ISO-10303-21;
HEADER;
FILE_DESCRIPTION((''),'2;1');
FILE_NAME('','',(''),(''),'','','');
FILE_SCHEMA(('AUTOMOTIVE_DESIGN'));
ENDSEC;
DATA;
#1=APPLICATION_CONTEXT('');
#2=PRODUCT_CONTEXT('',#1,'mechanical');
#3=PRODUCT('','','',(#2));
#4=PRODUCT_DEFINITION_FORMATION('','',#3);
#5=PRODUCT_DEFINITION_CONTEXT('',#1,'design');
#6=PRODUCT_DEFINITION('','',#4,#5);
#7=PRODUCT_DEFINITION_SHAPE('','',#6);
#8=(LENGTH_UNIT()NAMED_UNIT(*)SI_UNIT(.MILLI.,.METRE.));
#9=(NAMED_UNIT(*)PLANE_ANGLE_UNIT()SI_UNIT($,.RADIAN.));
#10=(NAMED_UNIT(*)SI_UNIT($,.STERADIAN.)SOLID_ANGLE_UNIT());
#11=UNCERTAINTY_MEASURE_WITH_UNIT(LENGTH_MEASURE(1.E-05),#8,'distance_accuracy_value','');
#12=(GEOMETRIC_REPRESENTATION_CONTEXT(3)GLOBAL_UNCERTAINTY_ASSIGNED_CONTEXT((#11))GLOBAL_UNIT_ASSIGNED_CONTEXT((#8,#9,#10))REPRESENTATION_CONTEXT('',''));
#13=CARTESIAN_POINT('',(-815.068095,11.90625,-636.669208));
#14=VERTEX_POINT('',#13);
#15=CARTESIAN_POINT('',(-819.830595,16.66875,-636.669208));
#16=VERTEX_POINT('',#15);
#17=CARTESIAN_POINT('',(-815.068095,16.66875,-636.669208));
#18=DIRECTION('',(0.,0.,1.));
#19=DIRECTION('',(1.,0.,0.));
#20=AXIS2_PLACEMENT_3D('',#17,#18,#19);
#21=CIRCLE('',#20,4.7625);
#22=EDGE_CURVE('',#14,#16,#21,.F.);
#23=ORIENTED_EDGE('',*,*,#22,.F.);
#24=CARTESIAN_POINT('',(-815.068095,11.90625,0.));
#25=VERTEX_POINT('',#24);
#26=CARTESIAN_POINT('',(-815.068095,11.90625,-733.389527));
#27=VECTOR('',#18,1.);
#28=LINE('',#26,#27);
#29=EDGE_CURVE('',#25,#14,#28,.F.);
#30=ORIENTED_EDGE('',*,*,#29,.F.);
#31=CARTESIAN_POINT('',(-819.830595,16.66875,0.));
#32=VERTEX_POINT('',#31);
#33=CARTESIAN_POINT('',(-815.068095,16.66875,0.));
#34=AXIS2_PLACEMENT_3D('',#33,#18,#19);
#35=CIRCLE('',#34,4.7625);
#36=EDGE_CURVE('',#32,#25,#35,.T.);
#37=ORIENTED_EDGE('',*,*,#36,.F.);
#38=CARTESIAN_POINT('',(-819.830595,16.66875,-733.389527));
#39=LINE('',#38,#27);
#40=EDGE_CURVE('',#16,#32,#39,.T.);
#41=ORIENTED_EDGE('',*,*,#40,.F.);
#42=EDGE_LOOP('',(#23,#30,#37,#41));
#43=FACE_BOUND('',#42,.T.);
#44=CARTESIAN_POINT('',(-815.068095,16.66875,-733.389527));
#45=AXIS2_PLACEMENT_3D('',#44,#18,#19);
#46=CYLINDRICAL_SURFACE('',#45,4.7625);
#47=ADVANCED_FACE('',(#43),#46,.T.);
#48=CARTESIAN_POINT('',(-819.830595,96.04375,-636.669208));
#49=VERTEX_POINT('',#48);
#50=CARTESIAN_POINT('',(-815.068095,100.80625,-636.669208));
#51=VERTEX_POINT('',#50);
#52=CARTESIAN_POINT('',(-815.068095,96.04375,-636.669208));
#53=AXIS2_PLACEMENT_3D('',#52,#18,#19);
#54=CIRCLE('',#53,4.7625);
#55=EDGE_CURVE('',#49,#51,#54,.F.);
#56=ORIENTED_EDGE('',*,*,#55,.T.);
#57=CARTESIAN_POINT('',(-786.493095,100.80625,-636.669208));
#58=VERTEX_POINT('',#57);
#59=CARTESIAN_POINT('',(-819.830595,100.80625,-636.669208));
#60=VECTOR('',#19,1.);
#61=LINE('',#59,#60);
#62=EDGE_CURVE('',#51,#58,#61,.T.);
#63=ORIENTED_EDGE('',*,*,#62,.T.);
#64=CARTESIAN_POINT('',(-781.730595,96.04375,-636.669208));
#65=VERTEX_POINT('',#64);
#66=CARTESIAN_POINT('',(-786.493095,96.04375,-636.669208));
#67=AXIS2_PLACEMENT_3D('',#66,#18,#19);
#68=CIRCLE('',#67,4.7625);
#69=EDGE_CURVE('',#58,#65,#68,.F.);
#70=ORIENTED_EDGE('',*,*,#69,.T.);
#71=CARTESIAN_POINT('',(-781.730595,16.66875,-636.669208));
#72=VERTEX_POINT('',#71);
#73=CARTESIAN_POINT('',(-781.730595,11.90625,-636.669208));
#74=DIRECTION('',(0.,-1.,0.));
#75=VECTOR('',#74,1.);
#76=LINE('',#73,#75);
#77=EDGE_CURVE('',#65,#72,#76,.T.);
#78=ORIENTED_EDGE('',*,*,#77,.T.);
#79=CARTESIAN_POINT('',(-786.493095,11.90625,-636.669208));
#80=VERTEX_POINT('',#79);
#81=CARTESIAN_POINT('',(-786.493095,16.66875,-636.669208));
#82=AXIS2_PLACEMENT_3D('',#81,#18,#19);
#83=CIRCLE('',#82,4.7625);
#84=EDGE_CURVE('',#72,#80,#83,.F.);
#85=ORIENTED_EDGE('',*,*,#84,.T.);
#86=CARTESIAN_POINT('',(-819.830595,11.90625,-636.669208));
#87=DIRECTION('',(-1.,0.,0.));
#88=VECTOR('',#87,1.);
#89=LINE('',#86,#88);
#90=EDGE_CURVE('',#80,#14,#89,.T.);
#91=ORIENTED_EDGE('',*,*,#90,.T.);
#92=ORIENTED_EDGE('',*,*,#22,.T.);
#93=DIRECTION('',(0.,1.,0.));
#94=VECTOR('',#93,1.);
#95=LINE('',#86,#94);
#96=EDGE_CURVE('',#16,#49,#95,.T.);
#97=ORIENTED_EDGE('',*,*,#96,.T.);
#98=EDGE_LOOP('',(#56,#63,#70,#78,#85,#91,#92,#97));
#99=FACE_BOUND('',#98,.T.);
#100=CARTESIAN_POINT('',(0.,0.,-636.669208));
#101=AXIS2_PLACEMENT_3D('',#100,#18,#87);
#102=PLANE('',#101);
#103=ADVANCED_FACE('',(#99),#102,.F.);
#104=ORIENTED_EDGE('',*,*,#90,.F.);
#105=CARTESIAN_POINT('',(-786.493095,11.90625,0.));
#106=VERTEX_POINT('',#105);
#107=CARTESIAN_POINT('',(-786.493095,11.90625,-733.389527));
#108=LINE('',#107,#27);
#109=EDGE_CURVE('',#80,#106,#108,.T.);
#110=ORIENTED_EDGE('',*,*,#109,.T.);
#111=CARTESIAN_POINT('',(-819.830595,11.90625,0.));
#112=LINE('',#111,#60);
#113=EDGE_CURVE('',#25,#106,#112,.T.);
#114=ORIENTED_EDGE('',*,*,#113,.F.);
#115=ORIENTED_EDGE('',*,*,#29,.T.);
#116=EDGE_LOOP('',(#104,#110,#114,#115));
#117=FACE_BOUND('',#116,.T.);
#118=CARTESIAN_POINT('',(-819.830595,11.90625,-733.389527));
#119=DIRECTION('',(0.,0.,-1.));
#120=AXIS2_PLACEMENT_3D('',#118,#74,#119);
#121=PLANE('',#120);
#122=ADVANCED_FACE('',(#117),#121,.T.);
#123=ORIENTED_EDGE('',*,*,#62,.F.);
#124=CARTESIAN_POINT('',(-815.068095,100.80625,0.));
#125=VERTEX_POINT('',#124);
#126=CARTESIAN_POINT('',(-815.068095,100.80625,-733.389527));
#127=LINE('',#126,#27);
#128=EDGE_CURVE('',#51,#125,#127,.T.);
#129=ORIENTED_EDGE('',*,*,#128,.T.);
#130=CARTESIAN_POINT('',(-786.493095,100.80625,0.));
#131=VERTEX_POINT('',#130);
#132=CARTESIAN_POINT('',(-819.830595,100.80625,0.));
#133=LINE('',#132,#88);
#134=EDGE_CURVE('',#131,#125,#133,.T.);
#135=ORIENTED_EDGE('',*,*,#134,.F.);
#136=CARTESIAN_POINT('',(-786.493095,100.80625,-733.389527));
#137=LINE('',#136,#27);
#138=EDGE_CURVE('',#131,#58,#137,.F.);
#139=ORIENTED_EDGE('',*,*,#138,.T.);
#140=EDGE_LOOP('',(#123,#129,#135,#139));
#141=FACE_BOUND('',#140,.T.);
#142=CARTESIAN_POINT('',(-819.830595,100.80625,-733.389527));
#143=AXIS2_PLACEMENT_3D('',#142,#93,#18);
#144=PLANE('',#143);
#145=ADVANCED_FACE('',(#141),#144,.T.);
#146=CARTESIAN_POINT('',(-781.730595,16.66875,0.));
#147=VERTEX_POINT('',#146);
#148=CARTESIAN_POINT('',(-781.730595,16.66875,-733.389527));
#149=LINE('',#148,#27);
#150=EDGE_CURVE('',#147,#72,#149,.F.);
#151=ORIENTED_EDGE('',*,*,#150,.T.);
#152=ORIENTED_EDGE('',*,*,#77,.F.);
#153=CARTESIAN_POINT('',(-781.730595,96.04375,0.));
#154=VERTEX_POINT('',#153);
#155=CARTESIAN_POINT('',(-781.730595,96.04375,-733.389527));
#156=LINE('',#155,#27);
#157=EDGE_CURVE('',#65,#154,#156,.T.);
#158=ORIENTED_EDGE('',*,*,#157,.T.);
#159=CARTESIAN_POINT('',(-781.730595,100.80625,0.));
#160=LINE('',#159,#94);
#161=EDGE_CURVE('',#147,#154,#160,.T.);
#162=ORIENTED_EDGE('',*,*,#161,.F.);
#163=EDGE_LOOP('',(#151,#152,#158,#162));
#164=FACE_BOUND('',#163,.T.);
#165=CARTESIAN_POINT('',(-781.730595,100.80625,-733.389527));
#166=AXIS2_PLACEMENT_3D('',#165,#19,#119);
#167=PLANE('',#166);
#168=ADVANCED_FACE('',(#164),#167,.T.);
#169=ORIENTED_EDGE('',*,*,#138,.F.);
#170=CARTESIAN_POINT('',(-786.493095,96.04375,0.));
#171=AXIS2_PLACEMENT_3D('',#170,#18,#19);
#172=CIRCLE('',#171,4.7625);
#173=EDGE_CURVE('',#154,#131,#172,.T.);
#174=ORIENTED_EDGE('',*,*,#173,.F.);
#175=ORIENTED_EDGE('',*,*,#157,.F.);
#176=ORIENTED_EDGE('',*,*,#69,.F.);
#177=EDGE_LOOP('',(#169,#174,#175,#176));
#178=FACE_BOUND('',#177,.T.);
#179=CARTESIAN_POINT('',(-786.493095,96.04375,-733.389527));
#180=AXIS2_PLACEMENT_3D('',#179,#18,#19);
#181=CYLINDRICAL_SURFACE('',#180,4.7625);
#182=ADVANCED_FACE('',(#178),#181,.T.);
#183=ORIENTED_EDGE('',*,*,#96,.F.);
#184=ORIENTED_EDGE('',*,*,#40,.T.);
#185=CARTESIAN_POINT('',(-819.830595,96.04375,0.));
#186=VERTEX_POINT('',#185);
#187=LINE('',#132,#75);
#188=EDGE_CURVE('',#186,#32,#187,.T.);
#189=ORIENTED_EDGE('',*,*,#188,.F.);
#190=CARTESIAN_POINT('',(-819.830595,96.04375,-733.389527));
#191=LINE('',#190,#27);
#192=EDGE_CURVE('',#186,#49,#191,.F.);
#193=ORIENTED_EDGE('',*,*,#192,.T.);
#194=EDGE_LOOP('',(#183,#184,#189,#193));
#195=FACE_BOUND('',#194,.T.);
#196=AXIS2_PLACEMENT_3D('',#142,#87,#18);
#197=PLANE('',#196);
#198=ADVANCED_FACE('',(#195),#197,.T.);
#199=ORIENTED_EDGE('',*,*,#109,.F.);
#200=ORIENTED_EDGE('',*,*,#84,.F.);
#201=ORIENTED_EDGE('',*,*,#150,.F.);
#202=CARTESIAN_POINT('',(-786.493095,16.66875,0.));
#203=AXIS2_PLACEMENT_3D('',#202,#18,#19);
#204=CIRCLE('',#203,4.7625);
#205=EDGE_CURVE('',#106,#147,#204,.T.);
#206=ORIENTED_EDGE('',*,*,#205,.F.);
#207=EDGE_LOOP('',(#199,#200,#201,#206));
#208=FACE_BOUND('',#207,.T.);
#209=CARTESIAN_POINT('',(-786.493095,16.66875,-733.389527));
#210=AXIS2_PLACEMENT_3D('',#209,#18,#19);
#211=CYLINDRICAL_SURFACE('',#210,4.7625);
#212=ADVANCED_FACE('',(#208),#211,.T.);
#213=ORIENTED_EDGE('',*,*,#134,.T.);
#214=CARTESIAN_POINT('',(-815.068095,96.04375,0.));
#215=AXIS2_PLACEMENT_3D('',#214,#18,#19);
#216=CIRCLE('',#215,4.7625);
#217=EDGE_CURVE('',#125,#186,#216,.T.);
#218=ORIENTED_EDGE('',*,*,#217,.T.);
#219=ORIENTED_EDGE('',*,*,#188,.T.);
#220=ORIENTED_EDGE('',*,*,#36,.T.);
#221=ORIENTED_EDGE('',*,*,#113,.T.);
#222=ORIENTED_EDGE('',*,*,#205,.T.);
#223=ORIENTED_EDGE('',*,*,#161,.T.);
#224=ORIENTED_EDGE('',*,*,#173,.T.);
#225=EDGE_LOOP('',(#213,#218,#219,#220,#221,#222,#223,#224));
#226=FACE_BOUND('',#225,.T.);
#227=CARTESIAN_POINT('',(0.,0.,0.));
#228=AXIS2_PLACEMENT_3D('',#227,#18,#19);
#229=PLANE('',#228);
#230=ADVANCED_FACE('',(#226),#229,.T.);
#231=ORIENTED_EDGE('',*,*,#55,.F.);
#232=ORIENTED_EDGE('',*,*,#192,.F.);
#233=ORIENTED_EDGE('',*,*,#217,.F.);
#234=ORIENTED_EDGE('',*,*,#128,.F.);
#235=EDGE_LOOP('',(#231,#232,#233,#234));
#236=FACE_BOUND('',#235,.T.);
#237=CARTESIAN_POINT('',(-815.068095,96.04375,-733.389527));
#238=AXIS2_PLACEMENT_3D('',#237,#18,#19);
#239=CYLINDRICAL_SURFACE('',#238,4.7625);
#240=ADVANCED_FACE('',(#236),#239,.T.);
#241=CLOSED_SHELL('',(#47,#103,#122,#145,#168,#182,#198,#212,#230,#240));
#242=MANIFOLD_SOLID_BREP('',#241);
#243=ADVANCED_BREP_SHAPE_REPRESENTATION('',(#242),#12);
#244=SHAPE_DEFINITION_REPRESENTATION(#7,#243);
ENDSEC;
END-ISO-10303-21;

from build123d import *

# Parameters (mm, degrees)
SKETCH1_W           = 38.1
SKETCH1_H           = 88.9
BOSS_EXTRUDE1_DEPTH = 636.669208
FILLET1_R           = 4.7625


with BuildPart() as part:
    # Sketch1 → Boss-Extrude1 (new body)
    with BuildSketch(Plane.XY):
        with Locations((-800.780594651, 56.35625)):
            Rectangle(SKETCH1_W, SKETCH1_H)
    extrude(amount=-BOSS_EXTRUDE1_DEPTH)

    # Fillet1
    fillet1_edges = [part.edges().sort_by_distance(p)[0] for p in [
        (-819.830594651, 11.90625, -318.334604),
        (-819.830594651, 100.80625, -318.334604),
        (-781.730594651, 100.80625, -318.334604),
        (-781.730594651, 11.90625, -318.334604),
    ]]
    fillet(fillet1_edges, radius=FILLET1_R)


solid = part.part
